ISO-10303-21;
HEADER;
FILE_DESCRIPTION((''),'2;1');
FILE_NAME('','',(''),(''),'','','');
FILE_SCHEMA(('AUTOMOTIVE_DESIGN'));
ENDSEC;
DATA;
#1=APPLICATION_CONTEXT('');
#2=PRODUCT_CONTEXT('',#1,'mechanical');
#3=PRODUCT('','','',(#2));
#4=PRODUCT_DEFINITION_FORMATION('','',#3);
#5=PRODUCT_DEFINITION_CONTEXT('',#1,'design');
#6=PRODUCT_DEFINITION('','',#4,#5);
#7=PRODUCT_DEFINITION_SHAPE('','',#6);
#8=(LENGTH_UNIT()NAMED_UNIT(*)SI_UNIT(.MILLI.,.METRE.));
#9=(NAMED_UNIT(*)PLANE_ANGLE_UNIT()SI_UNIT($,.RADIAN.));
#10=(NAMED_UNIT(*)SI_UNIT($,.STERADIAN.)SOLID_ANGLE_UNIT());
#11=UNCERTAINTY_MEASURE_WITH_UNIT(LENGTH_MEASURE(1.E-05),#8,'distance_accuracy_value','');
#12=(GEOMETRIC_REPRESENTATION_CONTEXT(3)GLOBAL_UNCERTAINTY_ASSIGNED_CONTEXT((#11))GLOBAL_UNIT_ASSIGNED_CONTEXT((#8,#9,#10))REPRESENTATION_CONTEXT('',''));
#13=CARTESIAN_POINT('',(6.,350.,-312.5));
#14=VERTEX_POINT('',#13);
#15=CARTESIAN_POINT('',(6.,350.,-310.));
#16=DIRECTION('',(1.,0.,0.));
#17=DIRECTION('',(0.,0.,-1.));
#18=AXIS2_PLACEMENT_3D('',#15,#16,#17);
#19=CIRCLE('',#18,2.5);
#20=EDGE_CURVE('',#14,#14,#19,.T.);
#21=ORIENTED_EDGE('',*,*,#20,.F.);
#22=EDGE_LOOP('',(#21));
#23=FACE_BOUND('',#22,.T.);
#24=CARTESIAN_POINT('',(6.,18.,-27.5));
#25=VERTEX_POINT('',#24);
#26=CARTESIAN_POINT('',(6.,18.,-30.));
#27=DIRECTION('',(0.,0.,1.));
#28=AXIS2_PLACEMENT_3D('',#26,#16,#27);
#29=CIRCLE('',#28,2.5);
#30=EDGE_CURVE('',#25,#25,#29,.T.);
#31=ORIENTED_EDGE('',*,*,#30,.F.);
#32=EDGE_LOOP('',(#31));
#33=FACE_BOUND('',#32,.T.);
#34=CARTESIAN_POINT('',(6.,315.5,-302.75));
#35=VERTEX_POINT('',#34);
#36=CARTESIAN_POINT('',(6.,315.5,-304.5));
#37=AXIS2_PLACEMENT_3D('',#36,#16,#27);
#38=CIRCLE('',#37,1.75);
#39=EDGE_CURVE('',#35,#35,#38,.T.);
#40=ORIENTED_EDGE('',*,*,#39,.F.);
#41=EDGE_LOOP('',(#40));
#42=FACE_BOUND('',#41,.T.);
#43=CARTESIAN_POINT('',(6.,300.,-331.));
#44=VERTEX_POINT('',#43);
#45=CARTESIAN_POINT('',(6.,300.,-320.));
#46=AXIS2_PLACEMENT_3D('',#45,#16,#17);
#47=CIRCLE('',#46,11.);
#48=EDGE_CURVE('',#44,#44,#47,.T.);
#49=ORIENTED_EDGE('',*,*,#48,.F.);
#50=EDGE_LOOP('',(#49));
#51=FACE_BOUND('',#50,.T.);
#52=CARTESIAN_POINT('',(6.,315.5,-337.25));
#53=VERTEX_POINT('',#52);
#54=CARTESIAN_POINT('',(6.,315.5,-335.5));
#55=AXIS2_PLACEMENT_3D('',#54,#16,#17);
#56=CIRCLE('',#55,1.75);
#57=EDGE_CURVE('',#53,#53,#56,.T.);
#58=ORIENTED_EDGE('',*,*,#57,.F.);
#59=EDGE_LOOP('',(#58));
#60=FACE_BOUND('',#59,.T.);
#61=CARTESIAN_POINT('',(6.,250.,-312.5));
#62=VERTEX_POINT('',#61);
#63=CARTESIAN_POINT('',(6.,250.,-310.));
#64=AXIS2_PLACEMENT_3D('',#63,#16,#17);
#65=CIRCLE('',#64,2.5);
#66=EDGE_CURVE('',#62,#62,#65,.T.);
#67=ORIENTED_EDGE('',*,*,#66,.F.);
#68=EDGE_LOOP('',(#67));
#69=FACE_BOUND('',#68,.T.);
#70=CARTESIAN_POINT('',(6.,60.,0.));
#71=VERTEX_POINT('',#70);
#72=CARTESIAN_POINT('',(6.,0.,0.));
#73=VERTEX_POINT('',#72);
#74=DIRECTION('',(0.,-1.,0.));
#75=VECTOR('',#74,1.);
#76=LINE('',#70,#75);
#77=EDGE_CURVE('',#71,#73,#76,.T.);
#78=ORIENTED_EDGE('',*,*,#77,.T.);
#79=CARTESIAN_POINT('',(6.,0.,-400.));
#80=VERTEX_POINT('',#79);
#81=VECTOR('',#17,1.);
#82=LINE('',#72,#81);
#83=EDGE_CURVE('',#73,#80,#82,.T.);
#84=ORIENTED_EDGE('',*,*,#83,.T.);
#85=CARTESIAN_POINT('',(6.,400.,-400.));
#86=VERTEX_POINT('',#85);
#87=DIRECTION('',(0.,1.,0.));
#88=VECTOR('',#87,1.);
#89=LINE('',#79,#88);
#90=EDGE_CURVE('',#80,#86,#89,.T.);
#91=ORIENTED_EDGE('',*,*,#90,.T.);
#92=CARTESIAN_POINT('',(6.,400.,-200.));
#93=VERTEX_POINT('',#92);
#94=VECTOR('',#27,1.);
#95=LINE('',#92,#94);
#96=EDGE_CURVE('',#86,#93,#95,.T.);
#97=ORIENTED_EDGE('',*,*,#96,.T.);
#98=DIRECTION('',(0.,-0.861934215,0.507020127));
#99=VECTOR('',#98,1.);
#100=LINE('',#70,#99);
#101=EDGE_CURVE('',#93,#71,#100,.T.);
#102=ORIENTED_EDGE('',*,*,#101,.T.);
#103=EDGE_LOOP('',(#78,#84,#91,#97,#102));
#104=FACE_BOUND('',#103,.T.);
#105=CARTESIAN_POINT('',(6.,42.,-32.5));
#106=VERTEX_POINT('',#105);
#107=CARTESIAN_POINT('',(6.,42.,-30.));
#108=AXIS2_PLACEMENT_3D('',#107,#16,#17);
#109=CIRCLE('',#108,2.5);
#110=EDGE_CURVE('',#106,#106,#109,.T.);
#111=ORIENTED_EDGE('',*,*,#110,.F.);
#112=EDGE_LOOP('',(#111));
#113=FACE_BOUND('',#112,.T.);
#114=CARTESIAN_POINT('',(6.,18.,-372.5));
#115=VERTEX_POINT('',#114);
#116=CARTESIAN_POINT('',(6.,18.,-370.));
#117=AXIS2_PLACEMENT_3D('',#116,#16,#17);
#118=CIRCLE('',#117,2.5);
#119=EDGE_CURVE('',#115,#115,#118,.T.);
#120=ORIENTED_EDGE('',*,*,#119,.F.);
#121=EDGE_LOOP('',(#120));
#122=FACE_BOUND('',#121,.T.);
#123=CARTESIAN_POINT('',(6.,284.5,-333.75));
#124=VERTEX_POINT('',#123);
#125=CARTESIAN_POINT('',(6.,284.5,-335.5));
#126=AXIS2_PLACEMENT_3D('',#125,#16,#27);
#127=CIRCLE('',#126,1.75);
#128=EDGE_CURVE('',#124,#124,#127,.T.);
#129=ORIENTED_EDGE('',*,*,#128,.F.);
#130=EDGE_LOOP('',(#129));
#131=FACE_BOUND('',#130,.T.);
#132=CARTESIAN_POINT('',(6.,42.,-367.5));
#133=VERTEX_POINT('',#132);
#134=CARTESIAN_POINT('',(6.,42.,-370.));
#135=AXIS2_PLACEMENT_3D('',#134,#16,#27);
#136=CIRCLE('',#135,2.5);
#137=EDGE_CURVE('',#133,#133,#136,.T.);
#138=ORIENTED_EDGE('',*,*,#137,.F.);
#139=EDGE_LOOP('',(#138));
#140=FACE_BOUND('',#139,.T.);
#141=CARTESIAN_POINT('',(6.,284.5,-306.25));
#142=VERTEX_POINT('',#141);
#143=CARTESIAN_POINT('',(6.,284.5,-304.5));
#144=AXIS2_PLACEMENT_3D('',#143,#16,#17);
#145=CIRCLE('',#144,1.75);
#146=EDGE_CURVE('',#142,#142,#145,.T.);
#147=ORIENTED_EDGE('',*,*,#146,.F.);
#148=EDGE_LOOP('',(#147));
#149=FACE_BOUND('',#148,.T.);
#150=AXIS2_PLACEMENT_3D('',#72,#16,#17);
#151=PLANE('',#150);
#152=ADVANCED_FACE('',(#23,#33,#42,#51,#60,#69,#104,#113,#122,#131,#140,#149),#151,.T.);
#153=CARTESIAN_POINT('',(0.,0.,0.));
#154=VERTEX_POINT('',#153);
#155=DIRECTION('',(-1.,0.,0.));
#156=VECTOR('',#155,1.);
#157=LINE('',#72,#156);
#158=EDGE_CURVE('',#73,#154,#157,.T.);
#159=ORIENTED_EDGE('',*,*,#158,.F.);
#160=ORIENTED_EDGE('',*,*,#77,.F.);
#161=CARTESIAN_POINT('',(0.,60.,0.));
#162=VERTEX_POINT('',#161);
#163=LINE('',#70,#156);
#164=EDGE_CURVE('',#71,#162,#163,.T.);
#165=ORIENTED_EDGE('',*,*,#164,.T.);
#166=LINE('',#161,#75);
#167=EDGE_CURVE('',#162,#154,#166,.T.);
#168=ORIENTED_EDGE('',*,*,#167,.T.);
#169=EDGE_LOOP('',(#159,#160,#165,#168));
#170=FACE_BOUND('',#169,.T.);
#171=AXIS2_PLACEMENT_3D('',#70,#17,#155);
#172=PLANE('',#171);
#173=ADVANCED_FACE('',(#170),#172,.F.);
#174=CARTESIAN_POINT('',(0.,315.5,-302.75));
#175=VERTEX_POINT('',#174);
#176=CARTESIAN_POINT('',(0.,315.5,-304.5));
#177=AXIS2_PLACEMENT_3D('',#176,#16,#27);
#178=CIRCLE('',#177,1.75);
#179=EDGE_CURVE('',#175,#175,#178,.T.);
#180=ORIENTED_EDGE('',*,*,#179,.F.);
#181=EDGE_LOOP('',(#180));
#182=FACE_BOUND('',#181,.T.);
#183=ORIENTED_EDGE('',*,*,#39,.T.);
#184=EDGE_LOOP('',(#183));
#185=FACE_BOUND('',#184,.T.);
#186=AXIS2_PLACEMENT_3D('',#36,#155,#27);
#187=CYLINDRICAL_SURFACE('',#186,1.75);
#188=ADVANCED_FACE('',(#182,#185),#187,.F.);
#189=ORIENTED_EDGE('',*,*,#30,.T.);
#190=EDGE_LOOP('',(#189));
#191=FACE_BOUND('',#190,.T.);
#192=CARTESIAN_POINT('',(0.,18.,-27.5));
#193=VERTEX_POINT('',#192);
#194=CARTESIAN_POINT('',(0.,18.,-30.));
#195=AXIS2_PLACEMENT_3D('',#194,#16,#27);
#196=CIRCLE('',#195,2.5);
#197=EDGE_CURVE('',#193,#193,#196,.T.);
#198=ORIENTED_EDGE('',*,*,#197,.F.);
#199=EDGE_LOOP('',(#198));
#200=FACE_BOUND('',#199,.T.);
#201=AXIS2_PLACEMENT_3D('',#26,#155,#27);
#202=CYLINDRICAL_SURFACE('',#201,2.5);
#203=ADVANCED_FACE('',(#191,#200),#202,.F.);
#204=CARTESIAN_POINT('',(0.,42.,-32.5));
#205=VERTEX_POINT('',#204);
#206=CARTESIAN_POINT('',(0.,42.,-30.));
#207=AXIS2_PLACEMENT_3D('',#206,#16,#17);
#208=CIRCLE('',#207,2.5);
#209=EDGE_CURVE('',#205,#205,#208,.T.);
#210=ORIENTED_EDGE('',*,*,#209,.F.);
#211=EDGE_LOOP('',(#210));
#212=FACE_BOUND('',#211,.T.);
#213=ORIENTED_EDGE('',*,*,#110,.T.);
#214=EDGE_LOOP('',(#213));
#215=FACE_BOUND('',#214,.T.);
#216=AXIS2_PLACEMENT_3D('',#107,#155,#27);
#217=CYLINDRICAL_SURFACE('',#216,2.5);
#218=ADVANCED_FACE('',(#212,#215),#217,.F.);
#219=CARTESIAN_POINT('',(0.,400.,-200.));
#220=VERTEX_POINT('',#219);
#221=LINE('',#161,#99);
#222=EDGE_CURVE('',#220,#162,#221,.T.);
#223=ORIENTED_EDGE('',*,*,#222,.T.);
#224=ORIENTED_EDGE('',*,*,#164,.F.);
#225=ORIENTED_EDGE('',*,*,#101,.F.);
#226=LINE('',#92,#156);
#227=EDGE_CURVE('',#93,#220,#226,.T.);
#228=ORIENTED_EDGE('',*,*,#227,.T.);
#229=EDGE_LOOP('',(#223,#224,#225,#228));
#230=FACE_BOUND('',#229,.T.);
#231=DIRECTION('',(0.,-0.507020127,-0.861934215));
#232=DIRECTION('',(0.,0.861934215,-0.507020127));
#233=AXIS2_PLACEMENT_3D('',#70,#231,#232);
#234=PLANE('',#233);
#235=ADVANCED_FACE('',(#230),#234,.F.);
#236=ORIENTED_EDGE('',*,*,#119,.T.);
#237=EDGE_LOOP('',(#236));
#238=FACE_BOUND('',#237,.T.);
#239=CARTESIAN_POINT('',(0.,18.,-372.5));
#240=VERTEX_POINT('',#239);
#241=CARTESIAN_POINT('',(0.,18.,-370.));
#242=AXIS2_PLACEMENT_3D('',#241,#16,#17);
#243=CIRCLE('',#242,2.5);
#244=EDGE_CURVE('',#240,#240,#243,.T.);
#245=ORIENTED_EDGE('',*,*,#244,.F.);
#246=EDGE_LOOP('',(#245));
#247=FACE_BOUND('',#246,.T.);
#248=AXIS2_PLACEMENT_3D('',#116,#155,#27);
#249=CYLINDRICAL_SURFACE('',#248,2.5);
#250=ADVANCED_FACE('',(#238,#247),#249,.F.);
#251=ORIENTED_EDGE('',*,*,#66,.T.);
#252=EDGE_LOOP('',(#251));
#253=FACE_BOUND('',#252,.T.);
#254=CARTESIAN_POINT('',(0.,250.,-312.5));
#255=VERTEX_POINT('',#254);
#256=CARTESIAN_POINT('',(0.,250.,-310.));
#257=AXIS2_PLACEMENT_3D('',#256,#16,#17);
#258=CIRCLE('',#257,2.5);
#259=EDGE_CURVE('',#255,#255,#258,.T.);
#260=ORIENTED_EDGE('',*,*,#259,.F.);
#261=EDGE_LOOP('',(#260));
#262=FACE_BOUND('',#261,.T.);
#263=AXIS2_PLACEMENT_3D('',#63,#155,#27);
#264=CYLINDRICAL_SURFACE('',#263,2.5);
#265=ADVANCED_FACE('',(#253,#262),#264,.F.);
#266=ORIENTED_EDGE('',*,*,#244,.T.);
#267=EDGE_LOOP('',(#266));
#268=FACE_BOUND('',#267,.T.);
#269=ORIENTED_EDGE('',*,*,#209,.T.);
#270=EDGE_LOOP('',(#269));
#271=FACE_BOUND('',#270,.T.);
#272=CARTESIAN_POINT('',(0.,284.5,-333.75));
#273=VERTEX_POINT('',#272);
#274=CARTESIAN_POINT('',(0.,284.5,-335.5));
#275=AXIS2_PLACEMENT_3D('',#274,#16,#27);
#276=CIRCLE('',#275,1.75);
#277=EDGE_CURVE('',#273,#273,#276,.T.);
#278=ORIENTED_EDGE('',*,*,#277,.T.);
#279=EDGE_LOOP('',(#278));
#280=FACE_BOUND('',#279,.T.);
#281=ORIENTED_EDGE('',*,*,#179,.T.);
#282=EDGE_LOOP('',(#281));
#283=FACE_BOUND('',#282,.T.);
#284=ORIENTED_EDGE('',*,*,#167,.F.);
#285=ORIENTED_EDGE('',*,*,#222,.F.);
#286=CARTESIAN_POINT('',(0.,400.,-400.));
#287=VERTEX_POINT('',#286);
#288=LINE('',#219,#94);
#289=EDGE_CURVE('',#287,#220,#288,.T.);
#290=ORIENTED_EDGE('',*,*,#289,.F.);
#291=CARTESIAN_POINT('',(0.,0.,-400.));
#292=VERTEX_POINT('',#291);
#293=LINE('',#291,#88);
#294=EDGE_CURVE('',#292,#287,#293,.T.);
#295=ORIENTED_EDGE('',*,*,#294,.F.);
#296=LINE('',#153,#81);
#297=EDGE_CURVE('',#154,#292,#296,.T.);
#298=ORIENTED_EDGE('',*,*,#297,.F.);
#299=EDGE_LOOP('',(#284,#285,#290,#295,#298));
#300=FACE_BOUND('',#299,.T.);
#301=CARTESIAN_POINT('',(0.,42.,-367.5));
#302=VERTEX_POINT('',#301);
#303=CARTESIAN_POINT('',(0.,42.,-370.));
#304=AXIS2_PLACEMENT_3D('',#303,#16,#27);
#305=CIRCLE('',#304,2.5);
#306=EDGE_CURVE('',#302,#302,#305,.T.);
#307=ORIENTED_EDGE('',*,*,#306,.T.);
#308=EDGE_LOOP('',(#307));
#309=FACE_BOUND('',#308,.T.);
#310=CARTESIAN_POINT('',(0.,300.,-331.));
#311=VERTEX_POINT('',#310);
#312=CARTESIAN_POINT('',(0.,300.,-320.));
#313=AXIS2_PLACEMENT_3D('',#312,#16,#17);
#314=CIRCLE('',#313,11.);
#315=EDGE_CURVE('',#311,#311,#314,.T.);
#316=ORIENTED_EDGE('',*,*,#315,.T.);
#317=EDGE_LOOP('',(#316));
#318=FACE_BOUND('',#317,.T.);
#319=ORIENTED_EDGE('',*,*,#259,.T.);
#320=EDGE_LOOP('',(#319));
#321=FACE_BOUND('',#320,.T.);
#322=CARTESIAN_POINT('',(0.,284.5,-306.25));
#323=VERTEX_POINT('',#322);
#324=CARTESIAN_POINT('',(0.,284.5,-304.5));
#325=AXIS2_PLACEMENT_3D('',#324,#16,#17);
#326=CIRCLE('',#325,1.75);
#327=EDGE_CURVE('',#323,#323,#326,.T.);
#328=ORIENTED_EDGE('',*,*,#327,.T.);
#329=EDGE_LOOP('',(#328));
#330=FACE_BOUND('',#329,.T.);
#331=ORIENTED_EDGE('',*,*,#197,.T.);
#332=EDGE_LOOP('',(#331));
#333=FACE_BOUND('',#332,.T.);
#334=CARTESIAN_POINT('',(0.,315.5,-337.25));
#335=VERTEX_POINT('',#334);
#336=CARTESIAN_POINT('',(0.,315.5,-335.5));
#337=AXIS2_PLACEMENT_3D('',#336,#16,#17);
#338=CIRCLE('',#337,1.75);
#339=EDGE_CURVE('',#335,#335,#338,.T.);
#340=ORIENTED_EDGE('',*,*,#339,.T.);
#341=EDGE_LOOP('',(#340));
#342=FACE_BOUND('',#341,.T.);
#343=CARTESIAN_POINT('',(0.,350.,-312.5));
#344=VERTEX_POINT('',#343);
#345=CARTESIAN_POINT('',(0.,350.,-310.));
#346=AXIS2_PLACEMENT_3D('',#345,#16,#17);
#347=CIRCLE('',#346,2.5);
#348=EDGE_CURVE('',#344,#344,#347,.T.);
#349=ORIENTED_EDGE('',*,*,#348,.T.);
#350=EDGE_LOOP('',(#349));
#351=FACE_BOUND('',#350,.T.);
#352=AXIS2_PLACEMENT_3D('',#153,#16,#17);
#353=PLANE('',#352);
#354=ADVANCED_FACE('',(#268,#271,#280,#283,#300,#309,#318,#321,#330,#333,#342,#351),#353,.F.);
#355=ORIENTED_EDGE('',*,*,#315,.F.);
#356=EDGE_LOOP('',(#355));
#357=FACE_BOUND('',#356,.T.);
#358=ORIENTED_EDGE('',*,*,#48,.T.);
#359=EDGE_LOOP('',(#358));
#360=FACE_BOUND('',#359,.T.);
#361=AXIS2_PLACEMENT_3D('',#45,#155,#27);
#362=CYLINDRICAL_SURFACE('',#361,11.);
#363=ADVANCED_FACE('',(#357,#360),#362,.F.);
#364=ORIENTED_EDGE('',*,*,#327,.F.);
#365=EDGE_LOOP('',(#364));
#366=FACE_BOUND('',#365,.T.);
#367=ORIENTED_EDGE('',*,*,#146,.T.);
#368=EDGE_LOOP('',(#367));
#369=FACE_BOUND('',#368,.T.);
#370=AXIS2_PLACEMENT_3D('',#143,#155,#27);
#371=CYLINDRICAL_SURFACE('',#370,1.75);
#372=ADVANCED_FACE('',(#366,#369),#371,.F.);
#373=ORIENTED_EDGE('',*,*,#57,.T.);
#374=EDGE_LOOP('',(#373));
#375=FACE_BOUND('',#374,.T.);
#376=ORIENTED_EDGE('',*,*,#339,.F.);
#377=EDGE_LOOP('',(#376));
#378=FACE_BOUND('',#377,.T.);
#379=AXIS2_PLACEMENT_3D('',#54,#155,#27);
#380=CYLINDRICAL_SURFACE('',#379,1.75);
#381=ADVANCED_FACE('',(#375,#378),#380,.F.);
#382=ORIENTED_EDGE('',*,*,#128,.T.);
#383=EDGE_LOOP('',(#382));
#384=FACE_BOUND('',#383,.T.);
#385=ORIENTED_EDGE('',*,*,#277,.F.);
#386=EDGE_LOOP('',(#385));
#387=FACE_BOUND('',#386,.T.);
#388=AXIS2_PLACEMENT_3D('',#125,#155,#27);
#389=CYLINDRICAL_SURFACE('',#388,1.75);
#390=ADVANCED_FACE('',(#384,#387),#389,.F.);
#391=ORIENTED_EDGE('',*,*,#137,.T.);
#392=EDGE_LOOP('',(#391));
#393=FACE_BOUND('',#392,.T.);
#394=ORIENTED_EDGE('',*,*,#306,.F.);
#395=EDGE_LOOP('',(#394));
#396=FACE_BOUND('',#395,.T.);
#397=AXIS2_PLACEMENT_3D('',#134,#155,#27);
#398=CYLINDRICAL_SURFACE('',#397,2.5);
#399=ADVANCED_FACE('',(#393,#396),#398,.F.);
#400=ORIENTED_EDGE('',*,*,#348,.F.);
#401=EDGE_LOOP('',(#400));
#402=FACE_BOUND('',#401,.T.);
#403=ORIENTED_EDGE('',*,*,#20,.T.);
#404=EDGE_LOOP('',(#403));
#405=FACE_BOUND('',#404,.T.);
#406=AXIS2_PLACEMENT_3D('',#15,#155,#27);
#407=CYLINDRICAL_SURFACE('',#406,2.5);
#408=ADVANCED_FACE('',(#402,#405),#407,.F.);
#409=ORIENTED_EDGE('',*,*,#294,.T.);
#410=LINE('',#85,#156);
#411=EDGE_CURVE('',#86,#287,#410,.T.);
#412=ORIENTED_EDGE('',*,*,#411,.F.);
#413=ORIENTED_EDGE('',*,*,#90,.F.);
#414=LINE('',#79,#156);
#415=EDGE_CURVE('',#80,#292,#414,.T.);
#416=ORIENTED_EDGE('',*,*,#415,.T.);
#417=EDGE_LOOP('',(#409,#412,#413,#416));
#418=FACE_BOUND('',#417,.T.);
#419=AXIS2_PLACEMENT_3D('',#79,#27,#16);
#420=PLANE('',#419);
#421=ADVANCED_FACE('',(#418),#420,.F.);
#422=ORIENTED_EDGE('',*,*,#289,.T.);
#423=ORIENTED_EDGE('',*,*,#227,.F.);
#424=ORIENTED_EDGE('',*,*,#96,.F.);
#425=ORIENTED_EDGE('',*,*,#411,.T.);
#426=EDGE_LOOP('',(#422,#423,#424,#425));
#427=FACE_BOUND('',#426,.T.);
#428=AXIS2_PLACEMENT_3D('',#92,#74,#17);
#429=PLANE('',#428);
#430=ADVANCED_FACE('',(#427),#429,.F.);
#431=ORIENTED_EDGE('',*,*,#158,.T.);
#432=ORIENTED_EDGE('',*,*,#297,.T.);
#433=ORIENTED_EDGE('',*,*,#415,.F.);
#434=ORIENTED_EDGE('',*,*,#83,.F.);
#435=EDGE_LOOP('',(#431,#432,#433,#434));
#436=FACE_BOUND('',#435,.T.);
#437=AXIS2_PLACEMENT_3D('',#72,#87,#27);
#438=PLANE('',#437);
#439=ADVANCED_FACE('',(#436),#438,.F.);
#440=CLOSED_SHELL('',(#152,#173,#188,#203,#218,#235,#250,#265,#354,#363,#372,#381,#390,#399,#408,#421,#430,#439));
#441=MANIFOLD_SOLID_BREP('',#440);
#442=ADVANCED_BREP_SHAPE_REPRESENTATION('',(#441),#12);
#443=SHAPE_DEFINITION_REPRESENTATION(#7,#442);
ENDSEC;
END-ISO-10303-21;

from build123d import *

# Parameters (mm, degrees)
SKETCH1_R           = 2.5
SKETCH1_R_2         = 11
SKETCH1_R_3         = 1.75
BOSS_EXTRUDE1_DEPTH = 6


with BuildPart() as part:
    # Sketch1 → Boss-Extrude1 (new body)
    with BuildSketch(Plane(origin=(0, 0, 0), x_dir=(0, 0, -1), z_dir=(1, 0, 0))):
        Polygon((0, 0), (400, 0), (400, 400), (200, 400), (0, 60), align=None)
        with Locations((30, 42)):
            Circle(SKETCH1_R, mode=Mode.SUBTRACT)
        with Locations(Location((30, 18, 0), (0, 0, 180))):
            Circle(SKETCH1_R, mode=Mode.SUBTRACT)
        with Locations((370, 18)):
            Circle(SKETCH1_R, mode=Mode.SUBTRACT)
        with Locations(Location((370, 42, 0), (0, 0, 180))):
            Circle(SKETCH1_R, mode=Mode.SUBTRACT)
        with Locations((310, 350)):
            Circle(SKETCH1_R, mode=Mode.SUBTRACT)
        with Locations((310, 250)):
            Circle(SKETCH1_R, mode=Mode.SUBTRACT)
        with Locations((320, 300)):
            Circle(SKETCH1_R_2, mode=Mode.SUBTRACT)
        with Locations((335.5, 315.5)):
            Circle(SKETCH1_R_3, mode=Mode.SUBTRACT)
        with Locations(Location((304.5, 315.5, 0), (0, 0, 180))):
            Circle(SKETCH1_R_3, mode=Mode.SUBTRACT)
        with Locations((304.5, 284.5)):
            Circle(SKETCH1_R_3, mode=Mode.SUBTRACT)
        with Locations(Location((335.5, 284.5, 0), (0, 0, 180))):
            Circle(SKETCH1_R_3, mode=Mode.SUBTRACT)
    extrude(amount=BOSS_EXTRUDE1_DEPTH)


solid = part.part
